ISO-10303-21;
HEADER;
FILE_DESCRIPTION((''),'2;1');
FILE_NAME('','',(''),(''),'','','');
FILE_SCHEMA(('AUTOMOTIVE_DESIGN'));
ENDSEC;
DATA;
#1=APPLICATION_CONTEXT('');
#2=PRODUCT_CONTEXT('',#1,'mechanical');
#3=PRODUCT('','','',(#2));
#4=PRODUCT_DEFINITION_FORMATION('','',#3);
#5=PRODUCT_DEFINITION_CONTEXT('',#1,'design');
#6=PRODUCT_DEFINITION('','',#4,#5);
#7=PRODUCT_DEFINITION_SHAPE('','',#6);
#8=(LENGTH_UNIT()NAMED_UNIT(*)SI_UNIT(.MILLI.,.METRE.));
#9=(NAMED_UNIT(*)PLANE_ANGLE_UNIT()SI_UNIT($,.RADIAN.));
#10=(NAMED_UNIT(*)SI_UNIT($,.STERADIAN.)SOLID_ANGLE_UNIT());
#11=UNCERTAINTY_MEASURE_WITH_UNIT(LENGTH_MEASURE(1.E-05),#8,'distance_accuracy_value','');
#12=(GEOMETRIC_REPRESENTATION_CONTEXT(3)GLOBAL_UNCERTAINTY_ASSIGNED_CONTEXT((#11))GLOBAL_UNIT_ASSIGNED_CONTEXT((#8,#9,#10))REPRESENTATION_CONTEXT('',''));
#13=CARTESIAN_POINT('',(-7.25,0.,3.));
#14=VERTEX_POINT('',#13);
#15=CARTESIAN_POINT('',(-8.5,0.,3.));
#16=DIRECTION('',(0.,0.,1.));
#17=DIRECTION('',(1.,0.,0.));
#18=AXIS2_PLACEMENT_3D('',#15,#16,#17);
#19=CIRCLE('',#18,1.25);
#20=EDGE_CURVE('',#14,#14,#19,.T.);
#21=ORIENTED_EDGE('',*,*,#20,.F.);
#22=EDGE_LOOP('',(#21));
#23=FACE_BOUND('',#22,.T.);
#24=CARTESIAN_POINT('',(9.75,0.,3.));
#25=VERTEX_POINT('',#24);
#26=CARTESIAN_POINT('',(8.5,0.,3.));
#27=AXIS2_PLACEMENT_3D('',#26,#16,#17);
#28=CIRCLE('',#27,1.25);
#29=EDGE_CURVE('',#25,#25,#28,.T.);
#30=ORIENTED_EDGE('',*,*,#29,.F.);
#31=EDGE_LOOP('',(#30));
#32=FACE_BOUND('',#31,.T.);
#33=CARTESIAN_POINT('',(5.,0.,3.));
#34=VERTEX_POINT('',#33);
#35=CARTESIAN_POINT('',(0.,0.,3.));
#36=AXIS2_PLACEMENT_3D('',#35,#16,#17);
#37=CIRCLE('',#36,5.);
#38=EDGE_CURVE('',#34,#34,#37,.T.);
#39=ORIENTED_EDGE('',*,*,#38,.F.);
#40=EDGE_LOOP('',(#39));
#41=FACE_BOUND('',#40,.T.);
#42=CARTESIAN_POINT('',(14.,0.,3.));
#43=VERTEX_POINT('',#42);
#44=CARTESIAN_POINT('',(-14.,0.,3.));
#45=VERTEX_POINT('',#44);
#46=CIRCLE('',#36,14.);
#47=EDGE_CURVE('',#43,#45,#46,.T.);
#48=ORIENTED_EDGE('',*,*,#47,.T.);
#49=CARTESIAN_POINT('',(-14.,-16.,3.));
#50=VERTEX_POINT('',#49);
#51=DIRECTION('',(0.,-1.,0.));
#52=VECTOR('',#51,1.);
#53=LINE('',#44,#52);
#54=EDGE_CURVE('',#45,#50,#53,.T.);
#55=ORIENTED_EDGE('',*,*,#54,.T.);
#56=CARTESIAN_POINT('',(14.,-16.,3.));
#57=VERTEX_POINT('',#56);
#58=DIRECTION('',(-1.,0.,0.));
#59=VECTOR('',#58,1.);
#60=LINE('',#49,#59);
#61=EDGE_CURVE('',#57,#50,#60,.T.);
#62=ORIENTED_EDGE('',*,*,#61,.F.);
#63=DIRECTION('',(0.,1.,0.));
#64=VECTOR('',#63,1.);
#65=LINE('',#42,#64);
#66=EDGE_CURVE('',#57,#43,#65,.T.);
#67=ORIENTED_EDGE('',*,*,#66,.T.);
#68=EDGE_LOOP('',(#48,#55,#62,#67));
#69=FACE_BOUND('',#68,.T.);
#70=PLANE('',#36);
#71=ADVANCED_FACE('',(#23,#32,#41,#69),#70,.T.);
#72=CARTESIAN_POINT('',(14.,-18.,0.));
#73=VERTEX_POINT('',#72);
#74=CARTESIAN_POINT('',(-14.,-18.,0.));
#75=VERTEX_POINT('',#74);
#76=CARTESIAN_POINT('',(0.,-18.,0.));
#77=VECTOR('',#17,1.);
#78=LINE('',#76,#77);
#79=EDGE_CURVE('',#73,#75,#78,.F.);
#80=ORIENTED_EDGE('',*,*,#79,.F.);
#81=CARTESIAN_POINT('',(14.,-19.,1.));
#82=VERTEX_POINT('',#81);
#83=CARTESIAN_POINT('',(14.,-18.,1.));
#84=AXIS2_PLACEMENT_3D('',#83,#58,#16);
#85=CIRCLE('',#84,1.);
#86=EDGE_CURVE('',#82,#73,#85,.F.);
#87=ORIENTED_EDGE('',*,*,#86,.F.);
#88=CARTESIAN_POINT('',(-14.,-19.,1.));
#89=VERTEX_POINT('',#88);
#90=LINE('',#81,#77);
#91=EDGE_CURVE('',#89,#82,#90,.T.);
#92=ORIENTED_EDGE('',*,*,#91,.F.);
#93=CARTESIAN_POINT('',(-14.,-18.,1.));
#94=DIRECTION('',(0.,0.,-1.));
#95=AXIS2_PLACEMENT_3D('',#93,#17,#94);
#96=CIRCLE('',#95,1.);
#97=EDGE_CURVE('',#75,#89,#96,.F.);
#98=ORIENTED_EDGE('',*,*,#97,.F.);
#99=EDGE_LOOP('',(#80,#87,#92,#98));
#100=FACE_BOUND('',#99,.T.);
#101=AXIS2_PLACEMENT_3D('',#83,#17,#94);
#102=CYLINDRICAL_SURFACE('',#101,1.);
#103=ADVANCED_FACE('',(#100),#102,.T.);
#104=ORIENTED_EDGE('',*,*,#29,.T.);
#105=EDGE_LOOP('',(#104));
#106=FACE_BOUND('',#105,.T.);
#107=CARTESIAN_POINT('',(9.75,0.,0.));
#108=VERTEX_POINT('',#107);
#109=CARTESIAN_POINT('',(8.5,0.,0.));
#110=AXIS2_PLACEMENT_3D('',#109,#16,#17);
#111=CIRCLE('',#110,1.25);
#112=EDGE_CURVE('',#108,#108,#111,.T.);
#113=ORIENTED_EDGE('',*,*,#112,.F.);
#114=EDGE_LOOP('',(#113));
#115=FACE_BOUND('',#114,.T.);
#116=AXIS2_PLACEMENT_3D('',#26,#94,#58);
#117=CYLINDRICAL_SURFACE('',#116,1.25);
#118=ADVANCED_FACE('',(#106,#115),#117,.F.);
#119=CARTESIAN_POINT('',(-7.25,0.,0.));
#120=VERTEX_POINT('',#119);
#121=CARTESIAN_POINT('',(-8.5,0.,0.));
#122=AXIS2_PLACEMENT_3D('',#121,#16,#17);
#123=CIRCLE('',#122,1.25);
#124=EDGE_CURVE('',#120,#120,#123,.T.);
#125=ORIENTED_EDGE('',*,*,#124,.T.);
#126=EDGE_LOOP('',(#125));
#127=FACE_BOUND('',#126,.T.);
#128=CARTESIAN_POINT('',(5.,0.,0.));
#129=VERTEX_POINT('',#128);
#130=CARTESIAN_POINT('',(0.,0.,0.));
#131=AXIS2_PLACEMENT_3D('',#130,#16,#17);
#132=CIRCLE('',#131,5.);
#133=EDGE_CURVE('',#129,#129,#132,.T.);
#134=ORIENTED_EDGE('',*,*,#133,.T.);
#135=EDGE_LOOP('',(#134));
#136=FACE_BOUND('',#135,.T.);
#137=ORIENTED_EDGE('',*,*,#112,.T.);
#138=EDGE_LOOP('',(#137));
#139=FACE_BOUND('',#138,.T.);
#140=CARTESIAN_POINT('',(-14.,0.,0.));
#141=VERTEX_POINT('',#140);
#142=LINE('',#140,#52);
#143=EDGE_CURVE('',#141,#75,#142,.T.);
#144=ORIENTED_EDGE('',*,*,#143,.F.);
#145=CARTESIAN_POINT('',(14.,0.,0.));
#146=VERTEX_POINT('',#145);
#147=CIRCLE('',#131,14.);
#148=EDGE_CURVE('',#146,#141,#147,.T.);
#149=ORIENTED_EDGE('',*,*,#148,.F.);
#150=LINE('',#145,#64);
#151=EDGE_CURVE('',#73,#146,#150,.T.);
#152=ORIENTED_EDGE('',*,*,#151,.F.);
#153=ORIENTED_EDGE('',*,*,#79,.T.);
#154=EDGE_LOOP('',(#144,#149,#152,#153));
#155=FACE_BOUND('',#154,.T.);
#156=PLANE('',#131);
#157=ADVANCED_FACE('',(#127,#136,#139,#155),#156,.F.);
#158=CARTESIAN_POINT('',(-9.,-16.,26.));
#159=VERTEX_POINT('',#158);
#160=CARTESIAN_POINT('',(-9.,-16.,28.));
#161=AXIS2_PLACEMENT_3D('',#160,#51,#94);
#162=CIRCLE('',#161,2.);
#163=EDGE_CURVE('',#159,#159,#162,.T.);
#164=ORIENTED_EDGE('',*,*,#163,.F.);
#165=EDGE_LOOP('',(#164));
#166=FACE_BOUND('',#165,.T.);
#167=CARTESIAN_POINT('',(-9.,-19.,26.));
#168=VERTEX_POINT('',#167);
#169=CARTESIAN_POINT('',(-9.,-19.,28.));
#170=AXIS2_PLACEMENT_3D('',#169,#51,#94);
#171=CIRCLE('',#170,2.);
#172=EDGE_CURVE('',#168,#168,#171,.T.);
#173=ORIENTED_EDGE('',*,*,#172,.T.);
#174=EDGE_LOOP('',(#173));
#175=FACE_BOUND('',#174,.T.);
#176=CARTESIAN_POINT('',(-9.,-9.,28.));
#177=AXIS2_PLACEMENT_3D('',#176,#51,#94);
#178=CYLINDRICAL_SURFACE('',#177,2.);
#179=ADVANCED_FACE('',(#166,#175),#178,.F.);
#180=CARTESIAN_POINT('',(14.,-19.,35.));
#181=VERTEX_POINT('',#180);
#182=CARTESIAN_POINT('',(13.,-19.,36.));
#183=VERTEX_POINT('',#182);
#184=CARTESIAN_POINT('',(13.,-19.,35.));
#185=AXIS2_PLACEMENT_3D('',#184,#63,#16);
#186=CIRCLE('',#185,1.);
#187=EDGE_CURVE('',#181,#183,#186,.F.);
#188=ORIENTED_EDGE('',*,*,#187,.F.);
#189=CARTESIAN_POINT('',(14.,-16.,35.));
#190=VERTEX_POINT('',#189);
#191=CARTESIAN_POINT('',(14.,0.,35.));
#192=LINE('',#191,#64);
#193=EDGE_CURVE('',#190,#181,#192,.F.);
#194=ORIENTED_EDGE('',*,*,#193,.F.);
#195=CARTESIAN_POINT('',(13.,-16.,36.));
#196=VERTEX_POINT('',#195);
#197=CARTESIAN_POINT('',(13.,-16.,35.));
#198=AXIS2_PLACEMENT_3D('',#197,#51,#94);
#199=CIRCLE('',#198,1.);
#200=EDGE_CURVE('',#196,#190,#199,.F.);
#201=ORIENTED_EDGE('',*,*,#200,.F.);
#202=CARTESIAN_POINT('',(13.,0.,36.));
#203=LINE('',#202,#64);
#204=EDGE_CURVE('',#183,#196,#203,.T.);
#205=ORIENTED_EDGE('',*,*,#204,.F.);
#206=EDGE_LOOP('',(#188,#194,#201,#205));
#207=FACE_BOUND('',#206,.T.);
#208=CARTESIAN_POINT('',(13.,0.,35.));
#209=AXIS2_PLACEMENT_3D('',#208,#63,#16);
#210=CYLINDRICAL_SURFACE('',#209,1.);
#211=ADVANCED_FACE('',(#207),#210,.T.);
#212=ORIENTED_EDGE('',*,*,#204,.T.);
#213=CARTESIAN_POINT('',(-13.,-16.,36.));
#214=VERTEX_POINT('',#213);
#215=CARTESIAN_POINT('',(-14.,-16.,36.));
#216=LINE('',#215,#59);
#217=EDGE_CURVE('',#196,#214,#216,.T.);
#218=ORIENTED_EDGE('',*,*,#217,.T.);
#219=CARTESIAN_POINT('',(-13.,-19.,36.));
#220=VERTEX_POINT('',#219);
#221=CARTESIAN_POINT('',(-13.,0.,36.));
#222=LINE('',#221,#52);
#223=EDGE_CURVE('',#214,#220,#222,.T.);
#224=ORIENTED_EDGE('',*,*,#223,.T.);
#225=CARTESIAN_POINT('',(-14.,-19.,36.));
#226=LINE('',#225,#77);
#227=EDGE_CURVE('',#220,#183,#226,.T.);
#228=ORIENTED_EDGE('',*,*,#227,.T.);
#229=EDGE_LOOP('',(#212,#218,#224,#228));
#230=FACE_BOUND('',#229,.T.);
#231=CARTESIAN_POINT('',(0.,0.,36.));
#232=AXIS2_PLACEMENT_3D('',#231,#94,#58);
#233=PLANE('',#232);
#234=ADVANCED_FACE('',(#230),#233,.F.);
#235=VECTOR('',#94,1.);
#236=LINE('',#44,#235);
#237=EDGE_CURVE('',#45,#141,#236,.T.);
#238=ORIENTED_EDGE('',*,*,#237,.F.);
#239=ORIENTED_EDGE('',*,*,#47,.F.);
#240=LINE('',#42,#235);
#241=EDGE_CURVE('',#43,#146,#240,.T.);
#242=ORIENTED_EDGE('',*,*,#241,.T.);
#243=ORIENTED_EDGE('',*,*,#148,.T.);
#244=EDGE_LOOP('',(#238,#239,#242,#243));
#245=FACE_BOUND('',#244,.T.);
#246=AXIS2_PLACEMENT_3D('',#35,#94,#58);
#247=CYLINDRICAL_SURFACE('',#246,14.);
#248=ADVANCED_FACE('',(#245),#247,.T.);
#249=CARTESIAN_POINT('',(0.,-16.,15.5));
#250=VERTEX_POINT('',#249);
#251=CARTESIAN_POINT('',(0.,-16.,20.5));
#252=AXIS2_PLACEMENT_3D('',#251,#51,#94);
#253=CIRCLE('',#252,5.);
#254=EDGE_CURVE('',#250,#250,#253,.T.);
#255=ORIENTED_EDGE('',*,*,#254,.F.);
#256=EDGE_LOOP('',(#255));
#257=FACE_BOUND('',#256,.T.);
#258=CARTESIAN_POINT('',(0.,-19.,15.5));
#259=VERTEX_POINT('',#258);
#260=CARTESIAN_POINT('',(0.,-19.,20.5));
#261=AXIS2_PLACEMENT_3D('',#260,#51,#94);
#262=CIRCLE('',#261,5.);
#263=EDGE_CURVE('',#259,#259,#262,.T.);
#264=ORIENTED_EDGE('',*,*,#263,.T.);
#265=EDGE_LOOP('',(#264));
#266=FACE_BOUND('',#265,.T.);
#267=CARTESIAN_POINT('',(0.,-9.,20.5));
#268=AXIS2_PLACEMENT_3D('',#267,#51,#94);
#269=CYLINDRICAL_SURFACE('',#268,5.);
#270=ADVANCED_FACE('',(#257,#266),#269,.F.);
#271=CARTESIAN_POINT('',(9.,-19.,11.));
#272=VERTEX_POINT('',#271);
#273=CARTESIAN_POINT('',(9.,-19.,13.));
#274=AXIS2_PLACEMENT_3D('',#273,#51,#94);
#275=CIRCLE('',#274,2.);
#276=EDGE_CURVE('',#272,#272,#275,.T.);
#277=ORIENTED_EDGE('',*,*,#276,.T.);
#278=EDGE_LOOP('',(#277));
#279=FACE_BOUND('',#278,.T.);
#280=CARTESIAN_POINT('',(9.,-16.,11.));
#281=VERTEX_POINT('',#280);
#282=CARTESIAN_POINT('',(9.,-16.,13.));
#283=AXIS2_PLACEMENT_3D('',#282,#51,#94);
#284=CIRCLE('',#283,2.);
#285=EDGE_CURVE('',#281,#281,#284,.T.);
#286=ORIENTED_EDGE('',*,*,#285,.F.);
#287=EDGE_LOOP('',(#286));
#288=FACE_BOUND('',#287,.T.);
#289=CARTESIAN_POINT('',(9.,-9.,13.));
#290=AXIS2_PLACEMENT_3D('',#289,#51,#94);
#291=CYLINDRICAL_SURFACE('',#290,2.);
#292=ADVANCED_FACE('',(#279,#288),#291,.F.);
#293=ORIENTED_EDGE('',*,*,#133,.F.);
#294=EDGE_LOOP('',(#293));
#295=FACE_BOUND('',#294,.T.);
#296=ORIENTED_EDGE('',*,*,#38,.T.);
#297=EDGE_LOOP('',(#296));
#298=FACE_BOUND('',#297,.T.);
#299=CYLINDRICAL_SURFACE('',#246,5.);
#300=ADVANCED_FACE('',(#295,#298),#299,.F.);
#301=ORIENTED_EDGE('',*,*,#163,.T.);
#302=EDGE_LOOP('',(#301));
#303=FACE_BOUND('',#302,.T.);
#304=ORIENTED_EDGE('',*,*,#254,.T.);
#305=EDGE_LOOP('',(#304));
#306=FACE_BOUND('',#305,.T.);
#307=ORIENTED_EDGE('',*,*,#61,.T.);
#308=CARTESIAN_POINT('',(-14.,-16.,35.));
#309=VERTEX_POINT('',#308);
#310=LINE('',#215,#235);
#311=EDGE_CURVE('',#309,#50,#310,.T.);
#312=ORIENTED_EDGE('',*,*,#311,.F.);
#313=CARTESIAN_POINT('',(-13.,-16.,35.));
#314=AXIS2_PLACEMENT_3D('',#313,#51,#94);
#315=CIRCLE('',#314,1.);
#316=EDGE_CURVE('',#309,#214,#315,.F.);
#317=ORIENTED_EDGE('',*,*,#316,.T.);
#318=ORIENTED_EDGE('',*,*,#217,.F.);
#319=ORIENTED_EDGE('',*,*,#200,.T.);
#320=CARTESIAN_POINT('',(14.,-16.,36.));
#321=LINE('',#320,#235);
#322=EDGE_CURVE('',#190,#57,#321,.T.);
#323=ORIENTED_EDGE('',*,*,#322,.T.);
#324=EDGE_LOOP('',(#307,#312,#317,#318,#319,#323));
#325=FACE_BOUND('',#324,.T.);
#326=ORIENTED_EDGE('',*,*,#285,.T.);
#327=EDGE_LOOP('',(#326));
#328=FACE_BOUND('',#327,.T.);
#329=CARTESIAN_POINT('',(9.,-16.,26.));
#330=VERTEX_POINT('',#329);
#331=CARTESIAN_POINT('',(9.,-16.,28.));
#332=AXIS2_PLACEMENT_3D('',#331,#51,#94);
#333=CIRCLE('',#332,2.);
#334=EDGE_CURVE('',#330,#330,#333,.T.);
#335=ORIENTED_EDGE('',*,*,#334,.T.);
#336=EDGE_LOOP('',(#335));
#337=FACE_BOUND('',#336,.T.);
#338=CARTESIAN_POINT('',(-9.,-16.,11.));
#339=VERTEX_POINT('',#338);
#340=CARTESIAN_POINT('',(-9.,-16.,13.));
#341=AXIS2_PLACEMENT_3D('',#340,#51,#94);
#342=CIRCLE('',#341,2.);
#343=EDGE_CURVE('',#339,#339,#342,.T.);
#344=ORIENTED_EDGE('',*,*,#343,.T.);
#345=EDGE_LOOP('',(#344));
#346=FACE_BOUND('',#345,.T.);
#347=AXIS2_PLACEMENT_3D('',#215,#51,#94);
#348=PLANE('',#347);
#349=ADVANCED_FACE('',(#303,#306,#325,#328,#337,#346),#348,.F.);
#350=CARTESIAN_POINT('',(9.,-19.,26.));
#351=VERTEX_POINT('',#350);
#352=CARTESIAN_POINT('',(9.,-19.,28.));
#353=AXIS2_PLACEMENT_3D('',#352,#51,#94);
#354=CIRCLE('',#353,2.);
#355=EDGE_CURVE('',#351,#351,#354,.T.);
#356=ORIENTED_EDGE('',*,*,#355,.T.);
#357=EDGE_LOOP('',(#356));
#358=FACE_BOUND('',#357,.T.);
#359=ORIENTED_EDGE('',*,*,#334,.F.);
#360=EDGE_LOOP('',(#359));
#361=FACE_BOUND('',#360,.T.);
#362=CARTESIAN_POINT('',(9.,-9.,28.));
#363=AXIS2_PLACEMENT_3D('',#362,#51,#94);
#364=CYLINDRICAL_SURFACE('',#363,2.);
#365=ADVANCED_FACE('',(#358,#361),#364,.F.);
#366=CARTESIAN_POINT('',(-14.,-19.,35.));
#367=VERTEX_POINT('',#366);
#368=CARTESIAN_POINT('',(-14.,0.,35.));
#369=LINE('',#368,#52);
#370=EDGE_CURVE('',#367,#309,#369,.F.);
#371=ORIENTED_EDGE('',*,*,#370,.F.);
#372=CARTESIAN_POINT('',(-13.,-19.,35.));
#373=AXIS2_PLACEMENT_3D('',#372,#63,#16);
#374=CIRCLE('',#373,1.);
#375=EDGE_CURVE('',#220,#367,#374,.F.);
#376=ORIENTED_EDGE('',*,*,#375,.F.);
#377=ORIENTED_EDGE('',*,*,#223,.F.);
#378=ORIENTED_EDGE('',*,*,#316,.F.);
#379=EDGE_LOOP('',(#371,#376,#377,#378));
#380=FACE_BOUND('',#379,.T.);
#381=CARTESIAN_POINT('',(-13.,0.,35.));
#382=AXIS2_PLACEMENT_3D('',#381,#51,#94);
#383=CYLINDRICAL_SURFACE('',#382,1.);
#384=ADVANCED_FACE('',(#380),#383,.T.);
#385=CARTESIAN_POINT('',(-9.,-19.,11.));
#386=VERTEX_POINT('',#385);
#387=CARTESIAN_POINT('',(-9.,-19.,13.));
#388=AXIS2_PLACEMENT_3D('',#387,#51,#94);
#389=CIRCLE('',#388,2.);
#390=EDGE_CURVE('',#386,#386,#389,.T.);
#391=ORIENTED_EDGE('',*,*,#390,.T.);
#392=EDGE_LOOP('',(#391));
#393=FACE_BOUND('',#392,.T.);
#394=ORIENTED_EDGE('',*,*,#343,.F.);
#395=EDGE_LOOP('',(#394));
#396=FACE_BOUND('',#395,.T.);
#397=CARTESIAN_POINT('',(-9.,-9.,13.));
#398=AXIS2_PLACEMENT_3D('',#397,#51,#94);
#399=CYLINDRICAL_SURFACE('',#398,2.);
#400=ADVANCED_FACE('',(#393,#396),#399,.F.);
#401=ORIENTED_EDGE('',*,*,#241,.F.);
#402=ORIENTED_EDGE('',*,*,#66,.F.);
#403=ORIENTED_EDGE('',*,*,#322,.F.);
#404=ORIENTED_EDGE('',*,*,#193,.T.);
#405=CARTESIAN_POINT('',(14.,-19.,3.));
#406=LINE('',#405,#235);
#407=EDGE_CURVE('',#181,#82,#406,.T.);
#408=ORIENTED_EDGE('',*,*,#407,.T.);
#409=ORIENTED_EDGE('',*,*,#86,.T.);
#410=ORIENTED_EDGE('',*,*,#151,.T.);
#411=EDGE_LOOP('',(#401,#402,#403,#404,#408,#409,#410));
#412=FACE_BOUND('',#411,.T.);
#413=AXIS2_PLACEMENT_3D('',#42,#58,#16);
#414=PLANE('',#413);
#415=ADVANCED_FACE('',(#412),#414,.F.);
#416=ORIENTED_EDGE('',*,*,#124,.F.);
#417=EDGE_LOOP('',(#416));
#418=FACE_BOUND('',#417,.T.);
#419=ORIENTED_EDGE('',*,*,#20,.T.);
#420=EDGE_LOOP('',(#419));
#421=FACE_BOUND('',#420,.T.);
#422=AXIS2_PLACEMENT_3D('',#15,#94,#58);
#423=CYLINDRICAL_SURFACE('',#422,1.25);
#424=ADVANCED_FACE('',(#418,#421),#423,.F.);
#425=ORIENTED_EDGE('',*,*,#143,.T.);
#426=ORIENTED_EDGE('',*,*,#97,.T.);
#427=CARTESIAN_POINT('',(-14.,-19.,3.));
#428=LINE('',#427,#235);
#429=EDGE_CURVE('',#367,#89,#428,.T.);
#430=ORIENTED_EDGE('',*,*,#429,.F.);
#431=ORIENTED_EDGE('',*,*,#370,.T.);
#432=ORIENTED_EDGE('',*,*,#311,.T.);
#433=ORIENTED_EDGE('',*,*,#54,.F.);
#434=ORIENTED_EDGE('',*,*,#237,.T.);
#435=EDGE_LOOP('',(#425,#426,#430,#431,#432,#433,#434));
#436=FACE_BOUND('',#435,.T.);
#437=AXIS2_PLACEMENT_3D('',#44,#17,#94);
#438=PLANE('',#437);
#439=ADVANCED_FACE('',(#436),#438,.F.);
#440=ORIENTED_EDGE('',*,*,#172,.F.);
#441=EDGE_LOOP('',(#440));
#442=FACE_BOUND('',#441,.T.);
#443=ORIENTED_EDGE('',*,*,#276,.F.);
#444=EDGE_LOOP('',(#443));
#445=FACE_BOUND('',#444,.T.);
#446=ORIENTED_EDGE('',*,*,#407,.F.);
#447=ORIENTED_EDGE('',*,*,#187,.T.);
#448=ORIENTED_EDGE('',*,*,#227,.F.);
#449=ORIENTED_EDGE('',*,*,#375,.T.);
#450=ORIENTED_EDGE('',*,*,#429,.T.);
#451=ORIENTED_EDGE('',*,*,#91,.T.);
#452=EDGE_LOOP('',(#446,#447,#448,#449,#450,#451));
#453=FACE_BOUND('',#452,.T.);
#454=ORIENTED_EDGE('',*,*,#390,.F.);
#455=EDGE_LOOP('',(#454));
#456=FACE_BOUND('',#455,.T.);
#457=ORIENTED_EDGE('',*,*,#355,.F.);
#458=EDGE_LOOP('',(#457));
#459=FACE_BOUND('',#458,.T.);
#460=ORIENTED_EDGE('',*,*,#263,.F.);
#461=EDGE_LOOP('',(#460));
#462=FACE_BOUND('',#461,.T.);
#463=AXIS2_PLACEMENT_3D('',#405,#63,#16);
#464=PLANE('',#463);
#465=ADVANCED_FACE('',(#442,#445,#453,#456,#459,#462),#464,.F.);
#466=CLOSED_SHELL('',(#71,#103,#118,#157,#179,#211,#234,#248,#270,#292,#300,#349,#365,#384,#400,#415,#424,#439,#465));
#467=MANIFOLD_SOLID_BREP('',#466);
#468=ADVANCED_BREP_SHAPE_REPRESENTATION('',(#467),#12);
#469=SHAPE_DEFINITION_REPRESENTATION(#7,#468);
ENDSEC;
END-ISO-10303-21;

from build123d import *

# Parameters (mm, degrees)
SKETCH1_R           = 5
SKETCH1_R_2         = 1.25
BOSS_EXTRUDE1_DEPTH = 3
SKETCH2_W           = 28
SKETCH2_H           = 3
BOSS_EXTRUDE2_DEPTH = 33
FILLET1_R           = 1
SKETCH4_R           = 2
SKETCH4_R_2         = 5
CUT_EXTRUDE1_DEPTH  = 10


with BuildPart() as part:
    # Sketch1 → Boss-Extrude1 (new body)
    with BuildSketch(Plane.XY):
        with BuildLine():
            Line((-14, 0), (-14, -19))
            Line((-14, -19), (14, -19))
            Line((14, -19), (14, 0))
            ThreePointArc((14, 0), (0, 14), (-14, 0))
        make_face()
        Circle(SKETCH1_R, mode=Mode.SUBTRACT)
        with Locations((-8.5, 0)):
            Circle(SKETCH1_R_2, mode=Mode.SUBTRACT)
        with Locations((8.5, 0)):
            Circle(SKETCH1_R_2, mode=Mode.SUBTRACT)
    extrude(amount=BOSS_EXTRUDE1_DEPTH)

    # Sketch2 → Boss-Extrude2 (add)
    with BuildSketch(Plane.XY.offset(3)):
        with Locations((0, -17.5)):
            Rectangle(SKETCH2_W, SKETCH2_H)
    extrude(amount=BOSS_EXTRUDE2_DEPTH)

    # Fillet1
    fillet1_edges = [part.edges().sort_by_distance(p)[0] for p in [
        (-14, -17.5, 36),
        (14, -17.5, 36),
        (0, -19, 0),
    ]]
    fillet(fillet1_edges, radius=FILLET1_R)

    # Sketch4 → Cut-Extrude1 (cut)
    with BuildSketch(Plane.XZ.offset(19)):
        with Locations((-9, 28)):
            Circle(SKETCH4_R)
        with Locations((-9, 13)):
            Circle(SKETCH4_R)
        with Locations((9, 28)):
            Circle(SKETCH4_R)
        with Locations((9, 13)):
            Circle(SKETCH4_R)
        with Locations((0, 20.5)):
            Circle(SKETCH4_R_2)
    extrude(amount=-CUT_EXTRUDE1_DEPTH, mode=Mode.SUBTRACT)


solid = part.part
